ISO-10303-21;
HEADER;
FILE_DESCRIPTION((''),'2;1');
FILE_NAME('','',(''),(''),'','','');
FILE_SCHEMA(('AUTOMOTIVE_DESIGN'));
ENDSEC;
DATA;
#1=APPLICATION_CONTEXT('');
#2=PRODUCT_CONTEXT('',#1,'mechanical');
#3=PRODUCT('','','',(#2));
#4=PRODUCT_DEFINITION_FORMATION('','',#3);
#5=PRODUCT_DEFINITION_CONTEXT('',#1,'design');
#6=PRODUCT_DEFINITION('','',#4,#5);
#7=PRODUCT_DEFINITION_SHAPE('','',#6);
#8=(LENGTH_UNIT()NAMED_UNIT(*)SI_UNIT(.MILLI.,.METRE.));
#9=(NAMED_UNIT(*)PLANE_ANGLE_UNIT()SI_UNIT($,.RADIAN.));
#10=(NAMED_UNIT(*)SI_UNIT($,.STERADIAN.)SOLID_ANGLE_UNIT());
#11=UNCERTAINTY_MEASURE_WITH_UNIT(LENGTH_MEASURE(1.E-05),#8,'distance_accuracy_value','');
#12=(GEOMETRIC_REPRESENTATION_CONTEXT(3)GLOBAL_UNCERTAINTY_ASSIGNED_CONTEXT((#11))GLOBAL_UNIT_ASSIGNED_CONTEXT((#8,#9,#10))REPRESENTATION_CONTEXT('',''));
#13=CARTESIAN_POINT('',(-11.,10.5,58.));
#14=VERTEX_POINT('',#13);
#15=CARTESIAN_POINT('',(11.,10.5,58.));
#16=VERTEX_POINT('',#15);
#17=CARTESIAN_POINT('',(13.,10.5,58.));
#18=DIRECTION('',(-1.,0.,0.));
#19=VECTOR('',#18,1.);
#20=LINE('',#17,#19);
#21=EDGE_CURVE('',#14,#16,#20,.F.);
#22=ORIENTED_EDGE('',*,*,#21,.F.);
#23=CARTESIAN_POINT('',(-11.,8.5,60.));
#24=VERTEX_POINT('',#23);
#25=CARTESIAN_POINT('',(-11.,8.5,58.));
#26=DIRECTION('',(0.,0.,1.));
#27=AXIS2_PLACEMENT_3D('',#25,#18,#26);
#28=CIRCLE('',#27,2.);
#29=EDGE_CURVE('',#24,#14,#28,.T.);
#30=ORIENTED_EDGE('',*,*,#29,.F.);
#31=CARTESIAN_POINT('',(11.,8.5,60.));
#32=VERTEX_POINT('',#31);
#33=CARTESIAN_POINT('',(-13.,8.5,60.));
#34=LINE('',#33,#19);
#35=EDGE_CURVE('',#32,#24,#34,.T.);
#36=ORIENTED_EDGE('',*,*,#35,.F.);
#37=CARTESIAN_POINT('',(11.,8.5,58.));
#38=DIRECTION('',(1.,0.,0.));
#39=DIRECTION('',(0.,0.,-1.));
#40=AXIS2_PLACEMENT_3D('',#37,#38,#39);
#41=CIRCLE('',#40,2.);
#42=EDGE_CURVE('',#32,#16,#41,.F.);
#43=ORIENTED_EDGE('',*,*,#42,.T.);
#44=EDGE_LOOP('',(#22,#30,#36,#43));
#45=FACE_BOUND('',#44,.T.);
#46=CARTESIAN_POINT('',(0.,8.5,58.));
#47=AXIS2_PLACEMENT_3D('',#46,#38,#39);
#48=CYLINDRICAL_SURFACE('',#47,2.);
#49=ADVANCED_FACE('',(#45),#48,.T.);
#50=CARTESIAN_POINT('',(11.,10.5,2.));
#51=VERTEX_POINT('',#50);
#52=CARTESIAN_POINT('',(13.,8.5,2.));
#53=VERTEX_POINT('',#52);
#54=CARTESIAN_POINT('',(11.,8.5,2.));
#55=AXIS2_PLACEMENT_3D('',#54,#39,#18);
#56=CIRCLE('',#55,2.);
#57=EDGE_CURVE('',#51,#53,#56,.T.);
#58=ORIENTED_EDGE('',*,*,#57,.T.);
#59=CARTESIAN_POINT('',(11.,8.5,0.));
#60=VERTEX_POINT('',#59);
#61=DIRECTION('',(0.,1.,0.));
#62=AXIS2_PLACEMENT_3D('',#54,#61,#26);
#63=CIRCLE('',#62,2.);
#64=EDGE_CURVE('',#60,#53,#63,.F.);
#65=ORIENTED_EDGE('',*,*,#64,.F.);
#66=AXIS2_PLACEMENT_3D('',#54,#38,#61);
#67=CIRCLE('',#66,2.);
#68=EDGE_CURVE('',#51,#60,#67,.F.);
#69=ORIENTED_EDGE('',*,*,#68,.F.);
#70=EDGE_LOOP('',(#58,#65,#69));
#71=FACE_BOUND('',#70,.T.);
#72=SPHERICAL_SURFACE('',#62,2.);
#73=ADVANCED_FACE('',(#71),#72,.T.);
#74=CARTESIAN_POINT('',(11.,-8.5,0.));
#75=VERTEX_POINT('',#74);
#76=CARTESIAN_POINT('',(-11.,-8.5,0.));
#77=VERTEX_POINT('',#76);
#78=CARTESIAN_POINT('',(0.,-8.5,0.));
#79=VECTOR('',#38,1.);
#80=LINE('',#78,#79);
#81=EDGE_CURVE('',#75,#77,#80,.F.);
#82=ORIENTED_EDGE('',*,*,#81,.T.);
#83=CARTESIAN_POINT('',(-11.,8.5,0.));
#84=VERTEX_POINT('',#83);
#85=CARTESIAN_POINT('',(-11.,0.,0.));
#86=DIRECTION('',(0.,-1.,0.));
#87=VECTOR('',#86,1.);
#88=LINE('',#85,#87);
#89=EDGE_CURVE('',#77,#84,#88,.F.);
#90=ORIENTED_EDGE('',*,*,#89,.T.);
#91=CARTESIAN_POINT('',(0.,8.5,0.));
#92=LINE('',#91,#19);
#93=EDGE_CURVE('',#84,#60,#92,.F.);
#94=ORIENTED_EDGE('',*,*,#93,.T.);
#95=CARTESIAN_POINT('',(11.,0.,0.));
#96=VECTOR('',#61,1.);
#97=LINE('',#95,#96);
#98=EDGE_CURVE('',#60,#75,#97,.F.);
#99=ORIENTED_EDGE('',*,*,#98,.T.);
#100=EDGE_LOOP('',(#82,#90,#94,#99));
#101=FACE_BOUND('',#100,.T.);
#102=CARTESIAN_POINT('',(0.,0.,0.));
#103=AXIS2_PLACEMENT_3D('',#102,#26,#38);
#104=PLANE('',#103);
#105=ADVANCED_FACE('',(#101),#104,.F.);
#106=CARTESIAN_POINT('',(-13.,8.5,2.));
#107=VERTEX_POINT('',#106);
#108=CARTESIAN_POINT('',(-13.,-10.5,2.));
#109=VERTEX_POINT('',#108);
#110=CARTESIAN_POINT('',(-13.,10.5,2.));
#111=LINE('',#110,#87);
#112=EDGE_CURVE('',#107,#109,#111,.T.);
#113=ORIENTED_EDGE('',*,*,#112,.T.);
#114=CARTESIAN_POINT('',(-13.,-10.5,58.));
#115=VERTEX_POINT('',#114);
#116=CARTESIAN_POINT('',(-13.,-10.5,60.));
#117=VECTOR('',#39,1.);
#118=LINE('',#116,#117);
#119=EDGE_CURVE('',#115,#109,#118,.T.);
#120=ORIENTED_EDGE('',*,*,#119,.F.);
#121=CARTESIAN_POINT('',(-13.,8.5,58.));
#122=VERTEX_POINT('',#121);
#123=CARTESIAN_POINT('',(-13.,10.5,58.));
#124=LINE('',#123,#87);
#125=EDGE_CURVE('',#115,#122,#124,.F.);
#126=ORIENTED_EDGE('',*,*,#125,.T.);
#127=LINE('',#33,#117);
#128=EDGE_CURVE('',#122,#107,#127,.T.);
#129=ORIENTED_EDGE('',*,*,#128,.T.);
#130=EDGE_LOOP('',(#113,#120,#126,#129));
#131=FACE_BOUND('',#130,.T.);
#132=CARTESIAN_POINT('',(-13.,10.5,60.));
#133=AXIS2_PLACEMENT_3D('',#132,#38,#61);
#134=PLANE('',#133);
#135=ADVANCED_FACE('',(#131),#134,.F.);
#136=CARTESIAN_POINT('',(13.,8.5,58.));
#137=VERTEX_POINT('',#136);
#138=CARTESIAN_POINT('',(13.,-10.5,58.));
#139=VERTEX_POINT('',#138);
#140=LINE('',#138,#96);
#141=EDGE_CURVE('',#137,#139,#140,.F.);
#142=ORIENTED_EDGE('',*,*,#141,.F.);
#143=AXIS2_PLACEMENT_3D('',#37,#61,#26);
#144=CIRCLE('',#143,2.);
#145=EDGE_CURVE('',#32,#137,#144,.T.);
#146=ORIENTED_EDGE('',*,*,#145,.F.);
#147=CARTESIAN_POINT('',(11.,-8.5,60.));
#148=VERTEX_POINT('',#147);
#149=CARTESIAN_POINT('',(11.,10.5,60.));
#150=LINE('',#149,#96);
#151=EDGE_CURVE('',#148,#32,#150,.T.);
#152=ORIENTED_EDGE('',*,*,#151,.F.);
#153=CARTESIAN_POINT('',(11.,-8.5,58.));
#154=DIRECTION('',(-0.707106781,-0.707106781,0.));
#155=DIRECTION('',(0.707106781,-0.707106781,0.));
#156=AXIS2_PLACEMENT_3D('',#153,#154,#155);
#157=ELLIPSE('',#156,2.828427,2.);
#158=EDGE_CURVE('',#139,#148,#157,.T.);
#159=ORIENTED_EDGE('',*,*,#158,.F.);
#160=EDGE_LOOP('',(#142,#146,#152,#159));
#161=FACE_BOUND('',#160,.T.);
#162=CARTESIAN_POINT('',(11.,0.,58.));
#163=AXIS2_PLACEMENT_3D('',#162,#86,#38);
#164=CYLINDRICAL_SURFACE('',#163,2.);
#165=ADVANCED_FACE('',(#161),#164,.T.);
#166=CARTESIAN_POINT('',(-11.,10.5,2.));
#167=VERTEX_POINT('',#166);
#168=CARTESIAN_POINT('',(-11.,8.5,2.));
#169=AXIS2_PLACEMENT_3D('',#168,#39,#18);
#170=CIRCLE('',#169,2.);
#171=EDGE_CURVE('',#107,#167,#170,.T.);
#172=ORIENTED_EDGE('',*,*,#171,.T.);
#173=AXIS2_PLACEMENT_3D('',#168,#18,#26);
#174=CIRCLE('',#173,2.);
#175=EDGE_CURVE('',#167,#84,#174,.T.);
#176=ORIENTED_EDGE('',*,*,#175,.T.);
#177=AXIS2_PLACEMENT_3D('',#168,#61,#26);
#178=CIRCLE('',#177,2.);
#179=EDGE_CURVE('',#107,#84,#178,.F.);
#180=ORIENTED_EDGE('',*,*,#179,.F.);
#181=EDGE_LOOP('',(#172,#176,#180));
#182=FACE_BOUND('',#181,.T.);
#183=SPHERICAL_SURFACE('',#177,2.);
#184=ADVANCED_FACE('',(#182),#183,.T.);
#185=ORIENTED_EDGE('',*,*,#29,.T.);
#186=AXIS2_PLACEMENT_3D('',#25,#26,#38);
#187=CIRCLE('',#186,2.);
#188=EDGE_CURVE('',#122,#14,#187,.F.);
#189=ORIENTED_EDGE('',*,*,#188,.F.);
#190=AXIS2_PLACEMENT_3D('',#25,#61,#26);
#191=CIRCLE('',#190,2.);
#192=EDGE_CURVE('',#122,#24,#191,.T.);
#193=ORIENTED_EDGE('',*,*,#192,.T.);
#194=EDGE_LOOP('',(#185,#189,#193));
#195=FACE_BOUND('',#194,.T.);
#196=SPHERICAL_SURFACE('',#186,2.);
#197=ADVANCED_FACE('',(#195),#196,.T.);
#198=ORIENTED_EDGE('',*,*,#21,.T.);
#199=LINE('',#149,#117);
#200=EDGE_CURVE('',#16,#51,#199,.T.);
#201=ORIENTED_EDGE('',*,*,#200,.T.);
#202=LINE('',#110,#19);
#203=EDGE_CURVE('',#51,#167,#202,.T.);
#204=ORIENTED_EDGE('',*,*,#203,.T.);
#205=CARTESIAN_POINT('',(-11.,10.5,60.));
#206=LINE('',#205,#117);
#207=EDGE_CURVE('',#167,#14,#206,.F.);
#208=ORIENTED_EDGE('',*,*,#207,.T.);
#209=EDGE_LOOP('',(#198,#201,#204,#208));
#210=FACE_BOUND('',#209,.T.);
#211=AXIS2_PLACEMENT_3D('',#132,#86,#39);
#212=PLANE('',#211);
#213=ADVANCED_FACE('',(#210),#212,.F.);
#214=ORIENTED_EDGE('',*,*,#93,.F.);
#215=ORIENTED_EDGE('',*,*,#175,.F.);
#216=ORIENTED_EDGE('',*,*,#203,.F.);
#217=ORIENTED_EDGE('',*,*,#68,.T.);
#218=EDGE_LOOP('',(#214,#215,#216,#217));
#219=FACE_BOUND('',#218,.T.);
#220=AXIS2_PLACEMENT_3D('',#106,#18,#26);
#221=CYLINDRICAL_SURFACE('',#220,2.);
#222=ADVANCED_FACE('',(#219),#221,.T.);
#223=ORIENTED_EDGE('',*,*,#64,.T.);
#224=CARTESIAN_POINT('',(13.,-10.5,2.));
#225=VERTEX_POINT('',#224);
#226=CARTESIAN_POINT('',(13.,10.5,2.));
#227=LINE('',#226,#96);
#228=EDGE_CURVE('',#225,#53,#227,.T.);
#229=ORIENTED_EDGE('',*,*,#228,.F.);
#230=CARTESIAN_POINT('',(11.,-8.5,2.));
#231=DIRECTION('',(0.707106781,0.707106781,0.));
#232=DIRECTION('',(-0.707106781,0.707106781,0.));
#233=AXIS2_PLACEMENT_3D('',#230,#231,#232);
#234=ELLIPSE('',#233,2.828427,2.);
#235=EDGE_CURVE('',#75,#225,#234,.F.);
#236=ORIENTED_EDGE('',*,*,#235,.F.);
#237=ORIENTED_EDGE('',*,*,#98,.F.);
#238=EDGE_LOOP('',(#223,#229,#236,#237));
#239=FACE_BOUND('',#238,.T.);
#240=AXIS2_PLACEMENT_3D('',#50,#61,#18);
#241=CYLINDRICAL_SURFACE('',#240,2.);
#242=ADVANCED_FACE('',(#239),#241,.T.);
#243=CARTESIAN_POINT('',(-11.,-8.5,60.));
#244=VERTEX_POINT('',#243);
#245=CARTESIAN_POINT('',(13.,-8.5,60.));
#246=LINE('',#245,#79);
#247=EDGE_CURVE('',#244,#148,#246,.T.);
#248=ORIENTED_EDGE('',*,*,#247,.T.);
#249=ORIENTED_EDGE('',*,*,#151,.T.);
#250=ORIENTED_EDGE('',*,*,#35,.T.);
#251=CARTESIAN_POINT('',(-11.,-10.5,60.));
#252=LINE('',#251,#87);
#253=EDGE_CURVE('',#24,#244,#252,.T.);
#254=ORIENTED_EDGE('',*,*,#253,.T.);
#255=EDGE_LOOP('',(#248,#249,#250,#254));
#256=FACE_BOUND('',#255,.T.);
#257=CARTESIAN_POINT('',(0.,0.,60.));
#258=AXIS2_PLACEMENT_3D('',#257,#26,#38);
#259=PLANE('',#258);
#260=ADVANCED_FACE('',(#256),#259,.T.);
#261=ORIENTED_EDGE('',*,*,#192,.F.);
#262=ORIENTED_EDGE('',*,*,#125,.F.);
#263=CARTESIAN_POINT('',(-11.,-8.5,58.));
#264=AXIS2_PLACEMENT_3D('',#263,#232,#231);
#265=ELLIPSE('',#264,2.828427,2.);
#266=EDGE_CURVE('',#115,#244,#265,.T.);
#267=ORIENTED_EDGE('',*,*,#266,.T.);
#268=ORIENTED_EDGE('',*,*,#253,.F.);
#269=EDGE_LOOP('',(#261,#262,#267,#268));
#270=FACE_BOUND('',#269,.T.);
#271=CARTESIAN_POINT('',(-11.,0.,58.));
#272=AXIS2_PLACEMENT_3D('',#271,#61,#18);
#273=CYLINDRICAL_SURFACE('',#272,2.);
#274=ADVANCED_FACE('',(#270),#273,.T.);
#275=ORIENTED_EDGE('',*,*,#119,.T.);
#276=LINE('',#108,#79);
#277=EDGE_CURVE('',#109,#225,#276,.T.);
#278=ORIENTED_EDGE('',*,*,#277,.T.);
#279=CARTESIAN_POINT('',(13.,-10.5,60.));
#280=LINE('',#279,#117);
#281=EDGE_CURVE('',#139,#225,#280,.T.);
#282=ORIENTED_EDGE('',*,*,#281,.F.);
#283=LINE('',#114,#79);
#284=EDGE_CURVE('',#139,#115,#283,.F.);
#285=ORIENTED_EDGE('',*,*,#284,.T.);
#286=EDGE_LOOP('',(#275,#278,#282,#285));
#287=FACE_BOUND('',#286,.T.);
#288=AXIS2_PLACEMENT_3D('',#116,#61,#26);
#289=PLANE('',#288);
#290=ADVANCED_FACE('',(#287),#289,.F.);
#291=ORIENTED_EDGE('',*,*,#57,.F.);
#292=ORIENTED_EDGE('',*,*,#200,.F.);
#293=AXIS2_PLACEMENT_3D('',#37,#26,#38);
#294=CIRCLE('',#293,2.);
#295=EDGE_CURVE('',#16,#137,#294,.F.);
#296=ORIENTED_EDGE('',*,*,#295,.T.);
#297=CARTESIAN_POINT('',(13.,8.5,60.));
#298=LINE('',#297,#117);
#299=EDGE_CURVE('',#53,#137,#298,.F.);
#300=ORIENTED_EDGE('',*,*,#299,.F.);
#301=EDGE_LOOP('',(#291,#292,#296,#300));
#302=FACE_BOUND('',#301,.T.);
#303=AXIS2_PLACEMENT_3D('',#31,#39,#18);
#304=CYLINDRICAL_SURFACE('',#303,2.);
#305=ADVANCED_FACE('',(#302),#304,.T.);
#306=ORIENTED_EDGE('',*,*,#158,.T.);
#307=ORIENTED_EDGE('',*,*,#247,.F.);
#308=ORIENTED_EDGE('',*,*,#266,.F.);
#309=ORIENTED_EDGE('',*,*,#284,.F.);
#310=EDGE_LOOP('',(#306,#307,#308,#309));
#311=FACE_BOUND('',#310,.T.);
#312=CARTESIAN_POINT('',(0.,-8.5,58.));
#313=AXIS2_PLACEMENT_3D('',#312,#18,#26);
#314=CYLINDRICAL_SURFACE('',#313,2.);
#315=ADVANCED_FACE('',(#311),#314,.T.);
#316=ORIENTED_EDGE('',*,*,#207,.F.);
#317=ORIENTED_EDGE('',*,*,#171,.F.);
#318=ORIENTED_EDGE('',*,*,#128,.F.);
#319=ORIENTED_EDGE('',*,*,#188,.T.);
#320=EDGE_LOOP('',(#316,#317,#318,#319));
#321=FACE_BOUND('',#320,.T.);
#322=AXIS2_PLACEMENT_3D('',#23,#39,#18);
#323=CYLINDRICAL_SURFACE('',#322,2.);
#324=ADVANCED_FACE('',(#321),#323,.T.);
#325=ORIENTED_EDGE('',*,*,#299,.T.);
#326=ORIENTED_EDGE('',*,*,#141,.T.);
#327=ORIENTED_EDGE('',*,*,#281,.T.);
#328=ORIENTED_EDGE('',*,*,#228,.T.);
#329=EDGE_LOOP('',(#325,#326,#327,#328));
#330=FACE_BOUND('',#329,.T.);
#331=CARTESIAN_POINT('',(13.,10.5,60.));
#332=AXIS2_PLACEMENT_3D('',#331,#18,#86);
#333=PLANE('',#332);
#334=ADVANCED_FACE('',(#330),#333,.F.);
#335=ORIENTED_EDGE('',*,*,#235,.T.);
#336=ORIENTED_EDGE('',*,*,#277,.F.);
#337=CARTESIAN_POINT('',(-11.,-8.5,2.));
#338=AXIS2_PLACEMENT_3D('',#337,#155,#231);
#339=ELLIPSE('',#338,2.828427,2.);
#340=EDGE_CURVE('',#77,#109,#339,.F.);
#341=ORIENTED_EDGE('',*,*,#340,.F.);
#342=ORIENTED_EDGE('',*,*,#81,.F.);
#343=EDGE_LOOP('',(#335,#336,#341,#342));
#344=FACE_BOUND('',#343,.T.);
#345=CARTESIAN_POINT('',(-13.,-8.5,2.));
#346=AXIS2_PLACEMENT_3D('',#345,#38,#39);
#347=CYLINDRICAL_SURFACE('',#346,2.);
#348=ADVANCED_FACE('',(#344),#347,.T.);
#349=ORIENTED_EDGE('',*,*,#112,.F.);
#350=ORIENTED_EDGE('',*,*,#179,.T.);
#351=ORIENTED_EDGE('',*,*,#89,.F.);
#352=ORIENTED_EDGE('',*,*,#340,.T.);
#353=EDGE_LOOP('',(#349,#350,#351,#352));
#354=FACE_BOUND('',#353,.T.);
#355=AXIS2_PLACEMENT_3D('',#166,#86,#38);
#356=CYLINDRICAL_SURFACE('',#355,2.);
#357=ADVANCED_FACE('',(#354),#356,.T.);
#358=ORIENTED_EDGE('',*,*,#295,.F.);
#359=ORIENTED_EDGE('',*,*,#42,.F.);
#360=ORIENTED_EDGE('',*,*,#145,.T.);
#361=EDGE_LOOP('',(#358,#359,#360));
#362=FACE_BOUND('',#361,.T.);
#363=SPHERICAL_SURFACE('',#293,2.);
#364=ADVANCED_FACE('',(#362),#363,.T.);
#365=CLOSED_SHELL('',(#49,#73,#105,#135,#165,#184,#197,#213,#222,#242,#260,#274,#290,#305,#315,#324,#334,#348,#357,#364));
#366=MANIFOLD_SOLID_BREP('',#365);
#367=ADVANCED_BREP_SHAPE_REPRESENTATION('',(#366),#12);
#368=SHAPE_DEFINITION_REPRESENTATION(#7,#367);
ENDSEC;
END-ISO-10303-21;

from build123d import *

# Parameters (mm, degrees)
SKETCH_1_W      = 26
SKETCH_1_H      = 21
EXTRUDE_1_DEPTH = 60
FILLET_1_R      = 2


with BuildPart() as part:
    # 草图1 → 凸台-拉伸1 (new body)
    with BuildSketch(Plane.XY):
        Rectangle(SKETCH_1_W, SKETCH_1_H)
    extrude(amount=EXTRUDE_1_DEPTH)

    # 圆角1
    fillet_1_edges = [part.edges().sort_by_distance(p)[0] for p in [
        (-13, 0, 60),
        (0, -10.5, 60),
        (13, 0, 60),
        (0, -10.5, 0),
        (-13, 0, 0),
        (0, 10.5, 0),
        (13, 0, 0),
        (-13, 10.5, 30),
        (13, 10.5, 30),
        (0, 10.5, 60),
    ]]
    fillet(fillet_1_edges, radius=FILLET_1_R)


solid = part.part
